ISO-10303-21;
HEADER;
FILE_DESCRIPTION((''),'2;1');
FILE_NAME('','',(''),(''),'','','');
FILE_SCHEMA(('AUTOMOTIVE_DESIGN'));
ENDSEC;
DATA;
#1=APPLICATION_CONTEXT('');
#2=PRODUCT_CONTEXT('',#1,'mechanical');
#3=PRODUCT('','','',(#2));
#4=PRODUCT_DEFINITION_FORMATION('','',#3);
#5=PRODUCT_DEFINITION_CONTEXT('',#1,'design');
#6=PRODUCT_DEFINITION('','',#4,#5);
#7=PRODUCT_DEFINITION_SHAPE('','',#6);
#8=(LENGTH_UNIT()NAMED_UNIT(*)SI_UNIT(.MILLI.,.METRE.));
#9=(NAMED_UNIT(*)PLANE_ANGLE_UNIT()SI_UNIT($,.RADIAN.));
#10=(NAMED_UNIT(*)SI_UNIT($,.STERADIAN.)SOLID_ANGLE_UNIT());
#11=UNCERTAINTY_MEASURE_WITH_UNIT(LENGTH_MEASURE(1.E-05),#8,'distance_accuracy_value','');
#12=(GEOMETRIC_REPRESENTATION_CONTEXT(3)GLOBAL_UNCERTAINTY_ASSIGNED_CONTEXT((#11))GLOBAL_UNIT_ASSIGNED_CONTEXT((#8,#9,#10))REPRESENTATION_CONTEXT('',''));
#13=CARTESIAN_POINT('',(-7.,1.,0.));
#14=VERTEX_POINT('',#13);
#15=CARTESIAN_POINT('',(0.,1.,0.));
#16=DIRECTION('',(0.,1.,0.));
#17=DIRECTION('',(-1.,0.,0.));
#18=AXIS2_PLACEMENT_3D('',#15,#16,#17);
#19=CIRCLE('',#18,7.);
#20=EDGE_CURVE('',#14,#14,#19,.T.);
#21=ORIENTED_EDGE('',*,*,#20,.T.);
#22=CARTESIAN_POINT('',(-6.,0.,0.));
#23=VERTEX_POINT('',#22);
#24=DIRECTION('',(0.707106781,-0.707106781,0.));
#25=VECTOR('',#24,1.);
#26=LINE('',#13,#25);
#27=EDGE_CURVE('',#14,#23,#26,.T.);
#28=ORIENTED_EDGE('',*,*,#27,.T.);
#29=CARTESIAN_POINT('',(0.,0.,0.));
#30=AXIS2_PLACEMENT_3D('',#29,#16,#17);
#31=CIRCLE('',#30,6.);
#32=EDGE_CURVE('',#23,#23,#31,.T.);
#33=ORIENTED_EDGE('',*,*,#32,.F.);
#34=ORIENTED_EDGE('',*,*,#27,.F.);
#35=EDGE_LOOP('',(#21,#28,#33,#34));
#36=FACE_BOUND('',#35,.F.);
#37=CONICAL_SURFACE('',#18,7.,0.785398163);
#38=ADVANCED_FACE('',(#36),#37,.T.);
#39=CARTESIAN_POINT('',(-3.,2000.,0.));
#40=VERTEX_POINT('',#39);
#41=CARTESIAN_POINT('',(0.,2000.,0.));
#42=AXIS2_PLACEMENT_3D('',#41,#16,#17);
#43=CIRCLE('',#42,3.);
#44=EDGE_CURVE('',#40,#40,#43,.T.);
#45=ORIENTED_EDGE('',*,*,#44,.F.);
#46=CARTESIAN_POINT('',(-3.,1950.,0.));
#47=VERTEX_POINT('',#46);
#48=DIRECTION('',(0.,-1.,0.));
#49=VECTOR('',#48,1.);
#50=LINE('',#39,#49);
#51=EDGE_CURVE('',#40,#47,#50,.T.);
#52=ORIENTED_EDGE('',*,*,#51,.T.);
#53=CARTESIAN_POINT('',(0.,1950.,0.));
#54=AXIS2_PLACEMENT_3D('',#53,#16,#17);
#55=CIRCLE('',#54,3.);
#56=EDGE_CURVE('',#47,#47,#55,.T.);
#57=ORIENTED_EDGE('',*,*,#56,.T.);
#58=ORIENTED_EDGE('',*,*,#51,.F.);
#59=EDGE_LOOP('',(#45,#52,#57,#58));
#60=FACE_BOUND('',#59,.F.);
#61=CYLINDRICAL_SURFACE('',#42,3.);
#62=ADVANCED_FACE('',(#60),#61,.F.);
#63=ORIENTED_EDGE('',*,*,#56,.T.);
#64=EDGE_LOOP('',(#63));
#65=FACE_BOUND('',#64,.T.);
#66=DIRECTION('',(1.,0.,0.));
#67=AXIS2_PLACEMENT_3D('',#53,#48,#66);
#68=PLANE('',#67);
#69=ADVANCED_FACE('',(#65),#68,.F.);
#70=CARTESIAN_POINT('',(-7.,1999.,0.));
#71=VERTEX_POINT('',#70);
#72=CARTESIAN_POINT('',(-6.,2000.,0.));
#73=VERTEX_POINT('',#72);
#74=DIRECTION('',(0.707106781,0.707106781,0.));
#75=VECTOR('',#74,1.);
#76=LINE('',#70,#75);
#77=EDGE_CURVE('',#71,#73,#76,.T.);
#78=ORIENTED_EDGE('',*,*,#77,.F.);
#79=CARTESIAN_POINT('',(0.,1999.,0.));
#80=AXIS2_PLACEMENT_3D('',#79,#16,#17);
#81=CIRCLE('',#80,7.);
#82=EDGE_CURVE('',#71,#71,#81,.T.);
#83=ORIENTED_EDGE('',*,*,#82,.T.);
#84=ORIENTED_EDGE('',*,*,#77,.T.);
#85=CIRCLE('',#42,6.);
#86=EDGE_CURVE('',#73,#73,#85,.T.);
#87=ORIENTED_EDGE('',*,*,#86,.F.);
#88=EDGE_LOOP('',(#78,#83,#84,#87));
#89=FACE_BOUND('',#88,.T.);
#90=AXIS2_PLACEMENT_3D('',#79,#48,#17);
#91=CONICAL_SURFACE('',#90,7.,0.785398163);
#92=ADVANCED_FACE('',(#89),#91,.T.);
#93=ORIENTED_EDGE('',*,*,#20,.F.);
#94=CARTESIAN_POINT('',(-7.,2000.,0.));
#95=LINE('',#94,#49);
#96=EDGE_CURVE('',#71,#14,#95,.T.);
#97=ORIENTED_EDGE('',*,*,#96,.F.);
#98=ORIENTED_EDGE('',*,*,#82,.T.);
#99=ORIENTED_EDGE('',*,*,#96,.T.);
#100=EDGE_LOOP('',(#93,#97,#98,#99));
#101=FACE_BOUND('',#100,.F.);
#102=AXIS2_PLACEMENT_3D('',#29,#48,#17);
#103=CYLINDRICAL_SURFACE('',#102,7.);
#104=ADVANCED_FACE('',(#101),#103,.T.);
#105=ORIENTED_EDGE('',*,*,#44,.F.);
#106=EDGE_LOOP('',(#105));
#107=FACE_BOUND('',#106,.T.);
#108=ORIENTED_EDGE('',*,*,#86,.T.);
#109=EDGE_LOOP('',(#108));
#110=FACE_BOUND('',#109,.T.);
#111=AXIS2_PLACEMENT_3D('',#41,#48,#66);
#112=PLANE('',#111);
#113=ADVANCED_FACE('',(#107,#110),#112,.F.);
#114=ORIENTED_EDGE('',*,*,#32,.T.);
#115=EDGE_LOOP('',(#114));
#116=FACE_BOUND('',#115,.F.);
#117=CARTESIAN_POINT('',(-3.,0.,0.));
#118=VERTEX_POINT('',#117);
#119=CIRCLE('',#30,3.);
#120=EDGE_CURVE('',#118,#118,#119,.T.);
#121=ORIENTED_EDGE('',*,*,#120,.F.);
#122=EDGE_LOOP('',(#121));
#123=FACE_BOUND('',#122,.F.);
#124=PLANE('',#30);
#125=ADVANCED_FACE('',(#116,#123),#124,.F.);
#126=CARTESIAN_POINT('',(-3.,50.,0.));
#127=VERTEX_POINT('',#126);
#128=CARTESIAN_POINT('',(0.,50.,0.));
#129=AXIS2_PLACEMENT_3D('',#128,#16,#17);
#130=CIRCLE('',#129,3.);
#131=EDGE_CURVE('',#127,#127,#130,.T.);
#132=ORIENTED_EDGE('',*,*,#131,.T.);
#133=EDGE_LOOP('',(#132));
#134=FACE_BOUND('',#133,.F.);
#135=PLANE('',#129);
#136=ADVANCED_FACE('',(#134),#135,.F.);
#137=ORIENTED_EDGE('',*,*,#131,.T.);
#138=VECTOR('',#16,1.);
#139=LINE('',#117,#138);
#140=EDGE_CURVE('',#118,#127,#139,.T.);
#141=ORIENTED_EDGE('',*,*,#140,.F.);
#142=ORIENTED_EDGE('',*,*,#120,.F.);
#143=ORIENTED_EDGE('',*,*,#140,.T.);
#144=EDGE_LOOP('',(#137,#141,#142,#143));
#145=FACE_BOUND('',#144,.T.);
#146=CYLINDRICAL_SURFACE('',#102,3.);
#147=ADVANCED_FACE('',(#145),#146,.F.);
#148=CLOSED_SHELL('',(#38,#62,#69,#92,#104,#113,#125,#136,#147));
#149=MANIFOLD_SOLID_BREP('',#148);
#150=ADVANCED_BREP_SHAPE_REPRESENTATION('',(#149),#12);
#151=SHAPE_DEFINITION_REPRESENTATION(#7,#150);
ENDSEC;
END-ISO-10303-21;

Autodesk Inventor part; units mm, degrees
ref_plane "YZ Plane" through (0, 0, 0) normal (1, 0, 0) x (0, 1, 0)
ref_plane "XZ Plane" through (0, 0, 0) normal (0, 1, 0) x (-1, 0, 0)
ref_plane "XY Plane" through (0, 0, 0) normal (0, 0, 1) x (1, 0, 0)
sketch "Sketch1" plane through (0, 0, 0) normal (0, 1, 0) x (-1, 0, 0)
  circle A0 centre (0, 0) radius 7
  circle A1 centre (0, 0) radius 3
  dimension "d0" = 14
  dimension "d1" = 6
extrude "Extrusion1" add sketch "Sketch1" along normal blind 1000 contours A0 | A1
extrude "Extrusion2" cut sketch "Sketch1" along normal blind 50 contours A1
chamfer "Chamfer1" distance 1 angle 45 1 edges at (7, 0, 0)
mirror "Mirror1" about plane through (0, 1000, 0) normal (0, 1, 0) of "Extrusion1", "Extrusion2", "Chamfer1"
properties part number "Tengely"
